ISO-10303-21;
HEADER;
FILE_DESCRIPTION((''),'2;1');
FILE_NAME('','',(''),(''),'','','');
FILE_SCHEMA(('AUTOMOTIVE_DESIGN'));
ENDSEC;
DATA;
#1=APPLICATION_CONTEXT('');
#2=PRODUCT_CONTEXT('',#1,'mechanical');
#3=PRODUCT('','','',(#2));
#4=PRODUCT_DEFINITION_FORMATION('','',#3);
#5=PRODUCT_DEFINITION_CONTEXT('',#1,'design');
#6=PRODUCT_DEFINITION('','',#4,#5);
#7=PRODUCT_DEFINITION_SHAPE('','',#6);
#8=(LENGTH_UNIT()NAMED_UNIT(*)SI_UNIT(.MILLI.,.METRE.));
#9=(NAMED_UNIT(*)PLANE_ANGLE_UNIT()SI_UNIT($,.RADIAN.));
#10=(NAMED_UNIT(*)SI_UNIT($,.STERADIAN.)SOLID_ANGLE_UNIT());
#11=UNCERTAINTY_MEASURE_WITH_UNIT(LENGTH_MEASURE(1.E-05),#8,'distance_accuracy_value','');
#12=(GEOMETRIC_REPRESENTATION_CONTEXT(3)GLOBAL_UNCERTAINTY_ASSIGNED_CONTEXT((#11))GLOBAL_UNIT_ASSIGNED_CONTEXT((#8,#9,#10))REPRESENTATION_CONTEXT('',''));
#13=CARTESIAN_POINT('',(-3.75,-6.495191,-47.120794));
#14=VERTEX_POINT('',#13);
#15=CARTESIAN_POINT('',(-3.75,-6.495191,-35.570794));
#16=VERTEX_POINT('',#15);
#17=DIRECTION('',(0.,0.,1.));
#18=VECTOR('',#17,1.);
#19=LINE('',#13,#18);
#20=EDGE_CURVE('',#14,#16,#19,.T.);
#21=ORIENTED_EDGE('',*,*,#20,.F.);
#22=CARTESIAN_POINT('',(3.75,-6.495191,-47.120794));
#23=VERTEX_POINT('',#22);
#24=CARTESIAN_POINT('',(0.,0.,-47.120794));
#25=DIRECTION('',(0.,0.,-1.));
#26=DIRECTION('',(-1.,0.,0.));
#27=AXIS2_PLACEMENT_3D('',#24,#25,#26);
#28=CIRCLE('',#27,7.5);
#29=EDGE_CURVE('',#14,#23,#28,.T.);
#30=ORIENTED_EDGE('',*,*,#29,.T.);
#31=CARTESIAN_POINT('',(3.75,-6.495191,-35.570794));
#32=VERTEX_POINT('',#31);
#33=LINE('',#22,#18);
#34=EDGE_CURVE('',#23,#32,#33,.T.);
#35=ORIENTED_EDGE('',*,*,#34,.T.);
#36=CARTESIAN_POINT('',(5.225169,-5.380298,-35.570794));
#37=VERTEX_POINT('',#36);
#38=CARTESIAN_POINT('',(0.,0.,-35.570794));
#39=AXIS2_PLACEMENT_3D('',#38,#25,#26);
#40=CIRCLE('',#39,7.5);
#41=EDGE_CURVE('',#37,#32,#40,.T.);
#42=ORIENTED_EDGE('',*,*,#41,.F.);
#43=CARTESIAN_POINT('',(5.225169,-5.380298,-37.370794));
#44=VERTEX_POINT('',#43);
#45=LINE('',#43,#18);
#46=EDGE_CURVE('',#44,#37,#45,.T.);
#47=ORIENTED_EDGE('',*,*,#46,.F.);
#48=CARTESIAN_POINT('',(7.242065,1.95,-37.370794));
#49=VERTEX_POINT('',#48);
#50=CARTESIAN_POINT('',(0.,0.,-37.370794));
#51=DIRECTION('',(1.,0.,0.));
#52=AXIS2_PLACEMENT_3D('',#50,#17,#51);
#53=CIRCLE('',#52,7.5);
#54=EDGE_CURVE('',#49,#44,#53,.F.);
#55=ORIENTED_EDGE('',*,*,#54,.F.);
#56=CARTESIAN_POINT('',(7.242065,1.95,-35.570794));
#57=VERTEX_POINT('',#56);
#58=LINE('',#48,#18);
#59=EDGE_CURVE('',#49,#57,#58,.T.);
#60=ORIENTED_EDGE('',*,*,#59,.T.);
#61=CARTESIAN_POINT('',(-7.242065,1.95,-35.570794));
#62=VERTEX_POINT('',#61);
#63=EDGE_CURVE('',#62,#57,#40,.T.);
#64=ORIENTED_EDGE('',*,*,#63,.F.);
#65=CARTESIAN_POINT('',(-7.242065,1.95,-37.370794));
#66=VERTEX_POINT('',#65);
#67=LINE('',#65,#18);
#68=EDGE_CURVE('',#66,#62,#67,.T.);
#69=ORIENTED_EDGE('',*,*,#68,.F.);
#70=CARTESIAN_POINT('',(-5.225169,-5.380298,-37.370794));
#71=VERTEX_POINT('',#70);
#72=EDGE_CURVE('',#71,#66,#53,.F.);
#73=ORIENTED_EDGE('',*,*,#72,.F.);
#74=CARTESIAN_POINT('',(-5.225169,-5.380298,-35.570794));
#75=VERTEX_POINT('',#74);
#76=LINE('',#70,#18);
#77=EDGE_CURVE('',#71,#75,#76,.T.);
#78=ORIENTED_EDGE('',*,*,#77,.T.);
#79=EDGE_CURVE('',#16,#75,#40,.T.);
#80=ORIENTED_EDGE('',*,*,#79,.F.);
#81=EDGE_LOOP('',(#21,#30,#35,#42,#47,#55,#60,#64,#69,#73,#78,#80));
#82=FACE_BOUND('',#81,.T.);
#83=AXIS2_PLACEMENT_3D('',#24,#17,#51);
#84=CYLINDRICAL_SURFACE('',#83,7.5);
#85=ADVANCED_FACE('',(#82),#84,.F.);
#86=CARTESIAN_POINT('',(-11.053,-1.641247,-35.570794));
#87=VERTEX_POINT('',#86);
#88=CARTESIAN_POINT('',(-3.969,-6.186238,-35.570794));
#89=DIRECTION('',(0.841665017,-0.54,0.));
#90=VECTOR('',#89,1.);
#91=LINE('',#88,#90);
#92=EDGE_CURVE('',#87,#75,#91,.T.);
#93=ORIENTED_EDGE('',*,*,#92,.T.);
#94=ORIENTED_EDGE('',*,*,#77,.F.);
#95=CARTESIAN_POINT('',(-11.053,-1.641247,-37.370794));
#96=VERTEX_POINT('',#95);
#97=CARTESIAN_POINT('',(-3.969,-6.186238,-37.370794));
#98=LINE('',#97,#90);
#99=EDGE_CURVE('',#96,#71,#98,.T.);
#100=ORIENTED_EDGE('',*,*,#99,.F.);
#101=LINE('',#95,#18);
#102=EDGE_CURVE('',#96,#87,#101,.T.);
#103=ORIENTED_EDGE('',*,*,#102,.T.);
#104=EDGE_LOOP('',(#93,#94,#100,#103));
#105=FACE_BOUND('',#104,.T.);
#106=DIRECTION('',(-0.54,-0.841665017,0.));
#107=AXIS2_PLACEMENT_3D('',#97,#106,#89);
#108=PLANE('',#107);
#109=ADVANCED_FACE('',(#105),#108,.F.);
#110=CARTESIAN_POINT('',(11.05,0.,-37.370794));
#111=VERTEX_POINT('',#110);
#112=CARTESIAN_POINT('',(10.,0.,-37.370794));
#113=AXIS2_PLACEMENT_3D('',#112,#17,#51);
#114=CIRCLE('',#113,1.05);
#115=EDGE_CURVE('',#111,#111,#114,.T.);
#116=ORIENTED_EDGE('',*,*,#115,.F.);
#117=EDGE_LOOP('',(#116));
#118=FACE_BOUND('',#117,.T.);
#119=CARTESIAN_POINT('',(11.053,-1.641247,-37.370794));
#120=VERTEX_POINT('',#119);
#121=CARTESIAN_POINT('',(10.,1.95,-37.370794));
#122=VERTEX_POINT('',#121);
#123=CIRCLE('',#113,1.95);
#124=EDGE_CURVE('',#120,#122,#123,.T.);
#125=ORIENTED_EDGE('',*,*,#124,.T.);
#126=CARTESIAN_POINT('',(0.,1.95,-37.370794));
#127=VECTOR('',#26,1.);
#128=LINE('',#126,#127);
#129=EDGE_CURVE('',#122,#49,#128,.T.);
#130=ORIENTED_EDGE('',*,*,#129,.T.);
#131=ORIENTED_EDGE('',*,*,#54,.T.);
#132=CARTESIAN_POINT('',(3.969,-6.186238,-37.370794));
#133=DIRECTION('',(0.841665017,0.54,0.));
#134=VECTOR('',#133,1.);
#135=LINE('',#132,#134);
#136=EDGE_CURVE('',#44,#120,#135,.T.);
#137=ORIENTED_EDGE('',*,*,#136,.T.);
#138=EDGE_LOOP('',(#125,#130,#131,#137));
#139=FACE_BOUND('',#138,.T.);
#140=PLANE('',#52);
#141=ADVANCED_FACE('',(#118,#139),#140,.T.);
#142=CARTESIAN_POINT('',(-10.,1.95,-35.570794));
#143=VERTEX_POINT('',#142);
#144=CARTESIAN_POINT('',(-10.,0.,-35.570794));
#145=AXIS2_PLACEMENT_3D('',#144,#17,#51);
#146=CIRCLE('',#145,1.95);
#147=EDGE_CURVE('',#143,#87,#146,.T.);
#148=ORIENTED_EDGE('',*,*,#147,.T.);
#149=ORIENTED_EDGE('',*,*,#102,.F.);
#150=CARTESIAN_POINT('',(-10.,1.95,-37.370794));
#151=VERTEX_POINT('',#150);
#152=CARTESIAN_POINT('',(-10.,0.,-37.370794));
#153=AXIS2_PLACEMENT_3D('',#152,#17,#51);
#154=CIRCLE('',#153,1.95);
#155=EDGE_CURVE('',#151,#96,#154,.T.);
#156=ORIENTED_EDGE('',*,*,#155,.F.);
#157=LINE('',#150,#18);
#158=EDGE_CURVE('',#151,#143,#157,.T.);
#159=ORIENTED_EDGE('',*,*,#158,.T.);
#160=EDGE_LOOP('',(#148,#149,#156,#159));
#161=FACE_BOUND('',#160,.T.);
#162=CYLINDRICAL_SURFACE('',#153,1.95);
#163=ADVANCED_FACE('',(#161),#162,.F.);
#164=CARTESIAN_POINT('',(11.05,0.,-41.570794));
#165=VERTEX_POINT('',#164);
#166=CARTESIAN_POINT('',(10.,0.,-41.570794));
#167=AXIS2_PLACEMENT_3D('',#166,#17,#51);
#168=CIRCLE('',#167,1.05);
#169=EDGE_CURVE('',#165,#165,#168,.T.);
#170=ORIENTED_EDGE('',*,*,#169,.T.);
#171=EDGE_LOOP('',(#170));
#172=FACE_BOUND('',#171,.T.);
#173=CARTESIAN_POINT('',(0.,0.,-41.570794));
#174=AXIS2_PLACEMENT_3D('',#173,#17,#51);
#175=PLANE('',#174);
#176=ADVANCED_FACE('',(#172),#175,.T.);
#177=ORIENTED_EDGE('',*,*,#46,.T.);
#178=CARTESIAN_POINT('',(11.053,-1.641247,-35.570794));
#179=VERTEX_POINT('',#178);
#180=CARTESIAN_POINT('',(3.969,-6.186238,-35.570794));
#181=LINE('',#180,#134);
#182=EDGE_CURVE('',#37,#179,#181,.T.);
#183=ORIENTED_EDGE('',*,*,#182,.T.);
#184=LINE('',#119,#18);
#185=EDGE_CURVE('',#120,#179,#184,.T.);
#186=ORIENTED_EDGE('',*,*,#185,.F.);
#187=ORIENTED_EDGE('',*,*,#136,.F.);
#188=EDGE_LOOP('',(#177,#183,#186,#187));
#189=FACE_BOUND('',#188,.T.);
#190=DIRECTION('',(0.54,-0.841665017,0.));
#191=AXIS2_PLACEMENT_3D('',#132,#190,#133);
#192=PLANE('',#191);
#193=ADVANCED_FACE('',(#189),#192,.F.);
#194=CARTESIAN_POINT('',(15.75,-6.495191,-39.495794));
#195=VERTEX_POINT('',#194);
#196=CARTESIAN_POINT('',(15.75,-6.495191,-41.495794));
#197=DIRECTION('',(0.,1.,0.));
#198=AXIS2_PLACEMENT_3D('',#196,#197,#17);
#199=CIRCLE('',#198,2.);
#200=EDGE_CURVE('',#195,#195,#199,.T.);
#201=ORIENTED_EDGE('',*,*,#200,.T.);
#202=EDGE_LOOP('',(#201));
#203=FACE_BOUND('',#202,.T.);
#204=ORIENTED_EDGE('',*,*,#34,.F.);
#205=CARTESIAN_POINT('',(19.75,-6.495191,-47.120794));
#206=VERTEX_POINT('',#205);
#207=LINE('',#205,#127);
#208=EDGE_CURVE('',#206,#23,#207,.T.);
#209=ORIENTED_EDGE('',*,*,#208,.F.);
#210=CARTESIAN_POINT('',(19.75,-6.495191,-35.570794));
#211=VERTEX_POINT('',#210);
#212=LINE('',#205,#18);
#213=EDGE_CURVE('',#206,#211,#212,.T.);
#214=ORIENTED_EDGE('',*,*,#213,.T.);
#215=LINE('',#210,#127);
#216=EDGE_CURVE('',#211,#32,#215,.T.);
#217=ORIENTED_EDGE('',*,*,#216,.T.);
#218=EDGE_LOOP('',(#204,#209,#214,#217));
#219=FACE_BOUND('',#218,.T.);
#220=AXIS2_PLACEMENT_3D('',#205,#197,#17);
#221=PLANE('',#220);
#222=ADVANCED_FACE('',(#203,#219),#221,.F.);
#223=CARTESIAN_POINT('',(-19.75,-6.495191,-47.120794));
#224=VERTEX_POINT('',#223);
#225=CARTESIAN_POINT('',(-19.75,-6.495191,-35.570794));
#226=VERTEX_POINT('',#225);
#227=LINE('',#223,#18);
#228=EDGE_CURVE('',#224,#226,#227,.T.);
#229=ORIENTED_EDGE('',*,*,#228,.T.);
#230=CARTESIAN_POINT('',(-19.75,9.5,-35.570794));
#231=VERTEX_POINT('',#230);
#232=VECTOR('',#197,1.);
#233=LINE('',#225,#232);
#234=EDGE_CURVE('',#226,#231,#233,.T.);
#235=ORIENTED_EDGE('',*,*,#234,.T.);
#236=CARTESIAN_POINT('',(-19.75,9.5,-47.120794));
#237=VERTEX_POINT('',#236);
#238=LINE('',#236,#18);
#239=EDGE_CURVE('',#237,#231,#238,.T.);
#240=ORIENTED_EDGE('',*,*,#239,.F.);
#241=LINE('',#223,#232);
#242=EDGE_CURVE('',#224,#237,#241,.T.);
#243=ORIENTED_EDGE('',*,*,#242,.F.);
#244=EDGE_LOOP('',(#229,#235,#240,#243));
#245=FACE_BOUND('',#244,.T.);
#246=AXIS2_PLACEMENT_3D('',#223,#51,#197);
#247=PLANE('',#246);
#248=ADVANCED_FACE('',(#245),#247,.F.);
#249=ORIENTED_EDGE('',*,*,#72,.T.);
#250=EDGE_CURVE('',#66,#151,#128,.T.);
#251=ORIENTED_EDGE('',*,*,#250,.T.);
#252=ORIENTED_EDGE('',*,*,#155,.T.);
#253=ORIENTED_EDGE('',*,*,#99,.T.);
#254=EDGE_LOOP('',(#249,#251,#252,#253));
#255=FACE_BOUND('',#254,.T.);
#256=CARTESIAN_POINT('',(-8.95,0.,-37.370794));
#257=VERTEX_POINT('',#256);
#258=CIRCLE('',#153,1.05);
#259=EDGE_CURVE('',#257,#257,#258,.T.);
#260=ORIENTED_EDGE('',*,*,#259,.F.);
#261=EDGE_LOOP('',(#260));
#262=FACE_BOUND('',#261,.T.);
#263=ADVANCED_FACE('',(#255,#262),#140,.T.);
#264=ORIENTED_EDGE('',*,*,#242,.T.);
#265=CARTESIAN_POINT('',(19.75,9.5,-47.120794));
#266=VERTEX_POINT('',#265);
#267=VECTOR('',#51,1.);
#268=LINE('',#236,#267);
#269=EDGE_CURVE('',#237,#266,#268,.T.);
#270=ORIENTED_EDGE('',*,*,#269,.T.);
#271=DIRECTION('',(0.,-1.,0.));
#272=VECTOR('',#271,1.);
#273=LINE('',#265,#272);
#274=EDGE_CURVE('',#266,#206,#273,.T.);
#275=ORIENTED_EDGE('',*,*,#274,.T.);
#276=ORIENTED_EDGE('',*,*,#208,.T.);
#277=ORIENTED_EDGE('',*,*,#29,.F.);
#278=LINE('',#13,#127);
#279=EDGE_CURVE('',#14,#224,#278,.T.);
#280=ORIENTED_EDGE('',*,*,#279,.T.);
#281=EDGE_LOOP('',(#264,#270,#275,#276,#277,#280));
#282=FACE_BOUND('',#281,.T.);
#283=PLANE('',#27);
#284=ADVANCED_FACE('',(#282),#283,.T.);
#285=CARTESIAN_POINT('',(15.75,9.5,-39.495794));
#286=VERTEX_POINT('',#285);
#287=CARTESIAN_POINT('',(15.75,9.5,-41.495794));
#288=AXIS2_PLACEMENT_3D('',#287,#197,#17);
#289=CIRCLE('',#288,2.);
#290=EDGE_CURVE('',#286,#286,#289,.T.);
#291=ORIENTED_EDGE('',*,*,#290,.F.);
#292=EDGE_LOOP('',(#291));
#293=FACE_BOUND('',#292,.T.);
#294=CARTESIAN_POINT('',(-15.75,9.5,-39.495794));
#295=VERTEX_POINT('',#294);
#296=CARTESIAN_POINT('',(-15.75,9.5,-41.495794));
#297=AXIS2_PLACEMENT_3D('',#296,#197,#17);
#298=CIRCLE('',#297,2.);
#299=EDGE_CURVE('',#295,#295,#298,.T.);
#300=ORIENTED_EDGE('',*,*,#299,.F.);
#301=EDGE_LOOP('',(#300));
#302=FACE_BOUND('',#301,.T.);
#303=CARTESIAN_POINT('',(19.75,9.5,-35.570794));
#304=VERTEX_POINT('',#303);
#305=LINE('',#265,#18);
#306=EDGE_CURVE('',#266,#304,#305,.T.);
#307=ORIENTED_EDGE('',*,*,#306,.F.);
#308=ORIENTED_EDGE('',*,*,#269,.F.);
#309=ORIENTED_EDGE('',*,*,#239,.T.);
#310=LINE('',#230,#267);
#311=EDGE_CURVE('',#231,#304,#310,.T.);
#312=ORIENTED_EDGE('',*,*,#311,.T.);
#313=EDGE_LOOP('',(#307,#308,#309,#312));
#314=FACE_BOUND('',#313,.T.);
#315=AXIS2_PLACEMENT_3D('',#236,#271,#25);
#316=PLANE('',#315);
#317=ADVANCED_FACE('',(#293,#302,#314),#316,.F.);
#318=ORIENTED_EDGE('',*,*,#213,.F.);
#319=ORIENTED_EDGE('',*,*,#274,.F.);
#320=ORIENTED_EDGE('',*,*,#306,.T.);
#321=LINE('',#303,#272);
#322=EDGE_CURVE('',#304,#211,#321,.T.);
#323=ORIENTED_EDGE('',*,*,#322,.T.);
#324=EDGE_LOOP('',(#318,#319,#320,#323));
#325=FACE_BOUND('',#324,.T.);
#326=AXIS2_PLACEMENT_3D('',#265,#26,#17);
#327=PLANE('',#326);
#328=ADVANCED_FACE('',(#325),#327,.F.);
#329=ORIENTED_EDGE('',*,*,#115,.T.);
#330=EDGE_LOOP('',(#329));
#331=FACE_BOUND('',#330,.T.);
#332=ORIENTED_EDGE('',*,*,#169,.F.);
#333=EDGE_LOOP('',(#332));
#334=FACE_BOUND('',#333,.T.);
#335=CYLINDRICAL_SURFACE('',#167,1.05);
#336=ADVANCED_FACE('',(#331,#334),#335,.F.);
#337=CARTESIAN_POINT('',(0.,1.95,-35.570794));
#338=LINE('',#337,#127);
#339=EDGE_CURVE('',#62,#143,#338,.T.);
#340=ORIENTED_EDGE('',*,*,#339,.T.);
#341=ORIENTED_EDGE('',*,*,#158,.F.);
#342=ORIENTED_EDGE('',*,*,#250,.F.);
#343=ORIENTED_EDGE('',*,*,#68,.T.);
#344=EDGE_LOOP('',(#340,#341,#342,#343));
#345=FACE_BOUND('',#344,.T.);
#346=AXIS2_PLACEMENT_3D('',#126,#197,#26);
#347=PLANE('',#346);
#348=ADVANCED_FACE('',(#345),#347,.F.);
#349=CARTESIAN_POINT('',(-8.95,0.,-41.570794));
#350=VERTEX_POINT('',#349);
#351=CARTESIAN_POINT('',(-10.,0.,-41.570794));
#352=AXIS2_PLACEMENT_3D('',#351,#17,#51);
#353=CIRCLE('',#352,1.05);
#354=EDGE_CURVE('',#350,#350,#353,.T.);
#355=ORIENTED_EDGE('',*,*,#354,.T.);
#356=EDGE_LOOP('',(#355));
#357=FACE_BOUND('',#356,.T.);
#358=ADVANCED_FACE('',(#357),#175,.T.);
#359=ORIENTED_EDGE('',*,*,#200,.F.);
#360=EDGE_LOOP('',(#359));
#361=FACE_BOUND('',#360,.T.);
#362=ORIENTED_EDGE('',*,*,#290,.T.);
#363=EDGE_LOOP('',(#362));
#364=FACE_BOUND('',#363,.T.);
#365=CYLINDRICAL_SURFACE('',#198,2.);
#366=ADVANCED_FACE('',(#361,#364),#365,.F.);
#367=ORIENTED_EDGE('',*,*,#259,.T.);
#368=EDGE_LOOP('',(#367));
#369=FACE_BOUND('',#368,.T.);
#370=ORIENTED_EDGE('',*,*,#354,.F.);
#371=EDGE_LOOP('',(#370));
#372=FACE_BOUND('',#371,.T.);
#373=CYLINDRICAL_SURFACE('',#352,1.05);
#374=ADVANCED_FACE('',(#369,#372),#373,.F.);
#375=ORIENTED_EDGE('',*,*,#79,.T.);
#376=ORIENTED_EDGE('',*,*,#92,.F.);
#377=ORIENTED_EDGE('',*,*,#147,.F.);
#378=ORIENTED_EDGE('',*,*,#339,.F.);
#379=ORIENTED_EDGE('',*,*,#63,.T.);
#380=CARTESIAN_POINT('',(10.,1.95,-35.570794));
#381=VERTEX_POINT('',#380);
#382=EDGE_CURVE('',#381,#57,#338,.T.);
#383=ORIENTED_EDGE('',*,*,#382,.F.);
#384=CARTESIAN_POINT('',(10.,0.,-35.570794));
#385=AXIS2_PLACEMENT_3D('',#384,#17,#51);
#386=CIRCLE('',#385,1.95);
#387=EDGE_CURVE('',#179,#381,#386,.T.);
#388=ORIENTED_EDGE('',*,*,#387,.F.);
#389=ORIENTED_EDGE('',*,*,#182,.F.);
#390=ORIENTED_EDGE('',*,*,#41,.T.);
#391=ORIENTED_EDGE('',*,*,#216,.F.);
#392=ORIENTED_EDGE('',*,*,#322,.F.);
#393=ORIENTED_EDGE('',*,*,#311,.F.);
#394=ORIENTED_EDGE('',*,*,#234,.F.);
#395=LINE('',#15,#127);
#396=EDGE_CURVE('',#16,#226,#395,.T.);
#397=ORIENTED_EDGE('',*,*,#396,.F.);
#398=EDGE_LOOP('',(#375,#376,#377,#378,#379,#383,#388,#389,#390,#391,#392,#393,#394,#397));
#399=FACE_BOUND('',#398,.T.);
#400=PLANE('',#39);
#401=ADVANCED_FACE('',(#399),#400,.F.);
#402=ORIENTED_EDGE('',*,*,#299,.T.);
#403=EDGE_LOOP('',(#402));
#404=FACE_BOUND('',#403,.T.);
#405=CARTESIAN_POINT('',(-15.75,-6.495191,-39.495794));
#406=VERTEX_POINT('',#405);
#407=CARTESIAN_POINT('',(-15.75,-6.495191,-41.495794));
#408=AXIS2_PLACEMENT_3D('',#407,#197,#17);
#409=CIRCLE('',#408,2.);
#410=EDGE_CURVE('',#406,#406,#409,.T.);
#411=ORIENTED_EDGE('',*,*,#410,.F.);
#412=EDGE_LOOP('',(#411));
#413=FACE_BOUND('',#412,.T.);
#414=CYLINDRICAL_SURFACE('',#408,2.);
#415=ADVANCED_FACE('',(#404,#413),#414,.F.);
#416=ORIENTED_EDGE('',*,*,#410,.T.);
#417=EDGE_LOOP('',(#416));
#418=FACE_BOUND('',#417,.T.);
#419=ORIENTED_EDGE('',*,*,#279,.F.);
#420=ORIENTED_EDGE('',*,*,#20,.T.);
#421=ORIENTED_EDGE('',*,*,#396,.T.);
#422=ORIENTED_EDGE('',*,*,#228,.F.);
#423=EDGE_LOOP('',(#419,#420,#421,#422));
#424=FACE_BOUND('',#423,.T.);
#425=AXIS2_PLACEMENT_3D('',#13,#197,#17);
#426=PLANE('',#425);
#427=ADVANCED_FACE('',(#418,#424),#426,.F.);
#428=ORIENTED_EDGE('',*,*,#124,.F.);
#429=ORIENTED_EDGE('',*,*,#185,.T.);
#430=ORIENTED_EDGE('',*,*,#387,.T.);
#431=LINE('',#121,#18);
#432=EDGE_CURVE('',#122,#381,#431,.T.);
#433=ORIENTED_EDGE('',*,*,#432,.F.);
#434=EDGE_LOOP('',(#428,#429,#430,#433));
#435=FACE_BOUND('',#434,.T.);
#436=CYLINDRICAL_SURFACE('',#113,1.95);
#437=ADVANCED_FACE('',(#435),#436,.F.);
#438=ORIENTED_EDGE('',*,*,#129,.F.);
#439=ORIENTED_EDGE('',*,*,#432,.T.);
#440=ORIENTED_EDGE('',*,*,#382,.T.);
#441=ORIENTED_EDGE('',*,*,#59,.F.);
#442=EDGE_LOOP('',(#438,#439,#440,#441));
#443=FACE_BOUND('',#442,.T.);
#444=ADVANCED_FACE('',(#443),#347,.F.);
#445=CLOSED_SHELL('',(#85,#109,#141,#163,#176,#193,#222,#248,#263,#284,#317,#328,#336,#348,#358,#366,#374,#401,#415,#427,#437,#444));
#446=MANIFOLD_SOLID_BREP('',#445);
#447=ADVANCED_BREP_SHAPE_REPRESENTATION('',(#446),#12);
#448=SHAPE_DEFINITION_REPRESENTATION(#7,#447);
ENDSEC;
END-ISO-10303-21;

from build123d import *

# Parameters (mm, degrees)
BODY_EXTRUDE_DEPTH                       = 11.55
BODY_4_R                                 = 1.05
WINGS_CUT_EXTRUDE_DEPTH                  = 1.8
BODY_5_R                                 = 1.05
SCREW_HOLES_CUT_EXTRUDE_DEPTH            = 6
ADJUSTMENT_START                         = -15.995191
ADJUSTMENT_SCREW_HOLES_R                 = 2
ADJUSTMENT_SCREW_HOLES_CUT_EXTRUDE_DEPTH = 15.995191


with BuildPart() as part:
    # BODY → Body Extrude (new body)
    with BuildSketch(Plane.XY.offset(-35.57079385)):
        with BuildLine():
            Line((-3.75, -6.495190528), (-19.75, -6.495190528))
            Line((-19.75, -6.495190528), (-19.75, 9.5))
            Line((-19.75, 9.5), (19.75, 9.5))
            Line((19.75, 9.5), (19.75, -6.495190528))
            Line((19.75, -6.495190528), (3.75, -6.495190528))
            ThreePointArc((3.75, -6.495190528), (0, 7.5), (-3.75, -6.495190528))
        make_face()
    extrude(amount=-BODY_EXTRUDE_DEPTH)

    # BODY<4> → Wings Cut Extrude (cut)
    # profile 1 of 4: a face of its own
    with BuildSketch(Plane.XY.offset(-35.57079385)):
        with BuildLine():
            Line((10, 1.95), (7.242064623, 1.95))
            ThreePointArc((7.242064623, 1.95), (7.231272158, -1.98964896), (5.225169177, -5.380298047))
            Line((5.225169177, -5.380298047), (11.053, -1.641246782))
            ThreePointArc((11.053, -1.641246782), (11.711118056, -0.935187147), (11.95, 0))
            ThreePointArc((11.95, 0), (11.378858223, 1.378858223), (10, 1.95))
        make_face()
        with BuildLine():
            ThreePointArc((8.8, 0), (10, 1.2), (11.2, 0))
            ThreePointArc((11.2, 0), (10, -1.2), (8.8, 0))
        make_face(mode=Mode.SUBTRACT)
    # profile 2 of 4: a face of its own
    with BuildSketch(Plane.XY.offset(-35.57079385)):
        with BuildLine():
            ThreePointArc((11.2, 0), (10, -1.2), (8.8, 0))
            ThreePointArc((8.8, 0), (10, 1.2), (11.2, 0))
        make_face()
        with Locations((10, 0)):
            Circle(BODY_4_R, mode=Mode.SUBTRACT)
    # profile 3 of 4: a face of its own
    with BuildSketch(Plane.XY.offset(-35.57079385)):
        with BuildLine():
            Line((-11.053, -1.641246782), (-5.225169177, -5.380298047))
            ThreePointArc((-5.225169177, -5.380298047), (-7.231272158, -1.98964896), (-7.242064623, 1.95))
            Line((-7.242064623, 1.95), (-10, 1.95))
            ThreePointArc((-10, 1.95), (-11.871220354, 0.548666007), (-11.053, -1.641246782))
        make_face()
        with BuildLine():
            ThreePointArc((-11.2, 0), (-10, 1.2), (-8.8, 0))
            ThreePointArc((-8.8, 0), (-10, -1.2), (-11.2, 0))
        make_face(mode=Mode.SUBTRACT)
    # profile 4 of 4: a face of its own
    with BuildSketch(Plane.XY.offset(-35.57079385)):
        with BuildLine():
            ThreePointArc((-8.8, 0), (-10, -1.2), (-11.2, 0))
            ThreePointArc((-11.2, 0), (-10, 1.2), (-8.8, 0))
        make_face()
        with Locations((-10, 0)):
            Circle(BODY_4_R, mode=Mode.SUBTRACT)
    extrude(amount=-WINGS_CUT_EXTRUDE_DEPTH, mode=Mode.SUBTRACT)

    # BODY<5> → Screw Holes Cut Extrude (cut)
    with BuildSketch(Plane.XY.offset(-35.57079385)):
        with Locations((-10, 0)):
            Circle(BODY_5_R)
        with Locations((10, 0)):
            Circle(BODY_5_R)
    extrude(amount=-SCREW_HOLES_CUT_EXTRUDE_DEPTH, mode=Mode.SUBTRACT)

    # ADJUSTMENT SCREW HOLES → Adjustment Screw Holes Cut Extrude (cut)
    with BuildSketch(Plane(origin=(0, 9.5, 0), x_dir=(1, 0, 0), z_dir=(0, 1, 0)).offset(ADJUSTMENT_START)):
        with Locations(Location((-15.75, 41.49579385, 0), (0, 0, 270))):
            Circle(ADJUSTMENT_SCREW_HOLES_R)
        with Locations(Location((15.75, 41.49579385, 0), (0, 0, 270))):
            Circle(ADJUSTMENT_SCREW_HOLES_R)
    extrude(amount=ADJUSTMENT_SCREW_HOLES_CUT_EXTRUDE_DEPTH, mode=Mode.SUBTRACT)


solid = part.part
